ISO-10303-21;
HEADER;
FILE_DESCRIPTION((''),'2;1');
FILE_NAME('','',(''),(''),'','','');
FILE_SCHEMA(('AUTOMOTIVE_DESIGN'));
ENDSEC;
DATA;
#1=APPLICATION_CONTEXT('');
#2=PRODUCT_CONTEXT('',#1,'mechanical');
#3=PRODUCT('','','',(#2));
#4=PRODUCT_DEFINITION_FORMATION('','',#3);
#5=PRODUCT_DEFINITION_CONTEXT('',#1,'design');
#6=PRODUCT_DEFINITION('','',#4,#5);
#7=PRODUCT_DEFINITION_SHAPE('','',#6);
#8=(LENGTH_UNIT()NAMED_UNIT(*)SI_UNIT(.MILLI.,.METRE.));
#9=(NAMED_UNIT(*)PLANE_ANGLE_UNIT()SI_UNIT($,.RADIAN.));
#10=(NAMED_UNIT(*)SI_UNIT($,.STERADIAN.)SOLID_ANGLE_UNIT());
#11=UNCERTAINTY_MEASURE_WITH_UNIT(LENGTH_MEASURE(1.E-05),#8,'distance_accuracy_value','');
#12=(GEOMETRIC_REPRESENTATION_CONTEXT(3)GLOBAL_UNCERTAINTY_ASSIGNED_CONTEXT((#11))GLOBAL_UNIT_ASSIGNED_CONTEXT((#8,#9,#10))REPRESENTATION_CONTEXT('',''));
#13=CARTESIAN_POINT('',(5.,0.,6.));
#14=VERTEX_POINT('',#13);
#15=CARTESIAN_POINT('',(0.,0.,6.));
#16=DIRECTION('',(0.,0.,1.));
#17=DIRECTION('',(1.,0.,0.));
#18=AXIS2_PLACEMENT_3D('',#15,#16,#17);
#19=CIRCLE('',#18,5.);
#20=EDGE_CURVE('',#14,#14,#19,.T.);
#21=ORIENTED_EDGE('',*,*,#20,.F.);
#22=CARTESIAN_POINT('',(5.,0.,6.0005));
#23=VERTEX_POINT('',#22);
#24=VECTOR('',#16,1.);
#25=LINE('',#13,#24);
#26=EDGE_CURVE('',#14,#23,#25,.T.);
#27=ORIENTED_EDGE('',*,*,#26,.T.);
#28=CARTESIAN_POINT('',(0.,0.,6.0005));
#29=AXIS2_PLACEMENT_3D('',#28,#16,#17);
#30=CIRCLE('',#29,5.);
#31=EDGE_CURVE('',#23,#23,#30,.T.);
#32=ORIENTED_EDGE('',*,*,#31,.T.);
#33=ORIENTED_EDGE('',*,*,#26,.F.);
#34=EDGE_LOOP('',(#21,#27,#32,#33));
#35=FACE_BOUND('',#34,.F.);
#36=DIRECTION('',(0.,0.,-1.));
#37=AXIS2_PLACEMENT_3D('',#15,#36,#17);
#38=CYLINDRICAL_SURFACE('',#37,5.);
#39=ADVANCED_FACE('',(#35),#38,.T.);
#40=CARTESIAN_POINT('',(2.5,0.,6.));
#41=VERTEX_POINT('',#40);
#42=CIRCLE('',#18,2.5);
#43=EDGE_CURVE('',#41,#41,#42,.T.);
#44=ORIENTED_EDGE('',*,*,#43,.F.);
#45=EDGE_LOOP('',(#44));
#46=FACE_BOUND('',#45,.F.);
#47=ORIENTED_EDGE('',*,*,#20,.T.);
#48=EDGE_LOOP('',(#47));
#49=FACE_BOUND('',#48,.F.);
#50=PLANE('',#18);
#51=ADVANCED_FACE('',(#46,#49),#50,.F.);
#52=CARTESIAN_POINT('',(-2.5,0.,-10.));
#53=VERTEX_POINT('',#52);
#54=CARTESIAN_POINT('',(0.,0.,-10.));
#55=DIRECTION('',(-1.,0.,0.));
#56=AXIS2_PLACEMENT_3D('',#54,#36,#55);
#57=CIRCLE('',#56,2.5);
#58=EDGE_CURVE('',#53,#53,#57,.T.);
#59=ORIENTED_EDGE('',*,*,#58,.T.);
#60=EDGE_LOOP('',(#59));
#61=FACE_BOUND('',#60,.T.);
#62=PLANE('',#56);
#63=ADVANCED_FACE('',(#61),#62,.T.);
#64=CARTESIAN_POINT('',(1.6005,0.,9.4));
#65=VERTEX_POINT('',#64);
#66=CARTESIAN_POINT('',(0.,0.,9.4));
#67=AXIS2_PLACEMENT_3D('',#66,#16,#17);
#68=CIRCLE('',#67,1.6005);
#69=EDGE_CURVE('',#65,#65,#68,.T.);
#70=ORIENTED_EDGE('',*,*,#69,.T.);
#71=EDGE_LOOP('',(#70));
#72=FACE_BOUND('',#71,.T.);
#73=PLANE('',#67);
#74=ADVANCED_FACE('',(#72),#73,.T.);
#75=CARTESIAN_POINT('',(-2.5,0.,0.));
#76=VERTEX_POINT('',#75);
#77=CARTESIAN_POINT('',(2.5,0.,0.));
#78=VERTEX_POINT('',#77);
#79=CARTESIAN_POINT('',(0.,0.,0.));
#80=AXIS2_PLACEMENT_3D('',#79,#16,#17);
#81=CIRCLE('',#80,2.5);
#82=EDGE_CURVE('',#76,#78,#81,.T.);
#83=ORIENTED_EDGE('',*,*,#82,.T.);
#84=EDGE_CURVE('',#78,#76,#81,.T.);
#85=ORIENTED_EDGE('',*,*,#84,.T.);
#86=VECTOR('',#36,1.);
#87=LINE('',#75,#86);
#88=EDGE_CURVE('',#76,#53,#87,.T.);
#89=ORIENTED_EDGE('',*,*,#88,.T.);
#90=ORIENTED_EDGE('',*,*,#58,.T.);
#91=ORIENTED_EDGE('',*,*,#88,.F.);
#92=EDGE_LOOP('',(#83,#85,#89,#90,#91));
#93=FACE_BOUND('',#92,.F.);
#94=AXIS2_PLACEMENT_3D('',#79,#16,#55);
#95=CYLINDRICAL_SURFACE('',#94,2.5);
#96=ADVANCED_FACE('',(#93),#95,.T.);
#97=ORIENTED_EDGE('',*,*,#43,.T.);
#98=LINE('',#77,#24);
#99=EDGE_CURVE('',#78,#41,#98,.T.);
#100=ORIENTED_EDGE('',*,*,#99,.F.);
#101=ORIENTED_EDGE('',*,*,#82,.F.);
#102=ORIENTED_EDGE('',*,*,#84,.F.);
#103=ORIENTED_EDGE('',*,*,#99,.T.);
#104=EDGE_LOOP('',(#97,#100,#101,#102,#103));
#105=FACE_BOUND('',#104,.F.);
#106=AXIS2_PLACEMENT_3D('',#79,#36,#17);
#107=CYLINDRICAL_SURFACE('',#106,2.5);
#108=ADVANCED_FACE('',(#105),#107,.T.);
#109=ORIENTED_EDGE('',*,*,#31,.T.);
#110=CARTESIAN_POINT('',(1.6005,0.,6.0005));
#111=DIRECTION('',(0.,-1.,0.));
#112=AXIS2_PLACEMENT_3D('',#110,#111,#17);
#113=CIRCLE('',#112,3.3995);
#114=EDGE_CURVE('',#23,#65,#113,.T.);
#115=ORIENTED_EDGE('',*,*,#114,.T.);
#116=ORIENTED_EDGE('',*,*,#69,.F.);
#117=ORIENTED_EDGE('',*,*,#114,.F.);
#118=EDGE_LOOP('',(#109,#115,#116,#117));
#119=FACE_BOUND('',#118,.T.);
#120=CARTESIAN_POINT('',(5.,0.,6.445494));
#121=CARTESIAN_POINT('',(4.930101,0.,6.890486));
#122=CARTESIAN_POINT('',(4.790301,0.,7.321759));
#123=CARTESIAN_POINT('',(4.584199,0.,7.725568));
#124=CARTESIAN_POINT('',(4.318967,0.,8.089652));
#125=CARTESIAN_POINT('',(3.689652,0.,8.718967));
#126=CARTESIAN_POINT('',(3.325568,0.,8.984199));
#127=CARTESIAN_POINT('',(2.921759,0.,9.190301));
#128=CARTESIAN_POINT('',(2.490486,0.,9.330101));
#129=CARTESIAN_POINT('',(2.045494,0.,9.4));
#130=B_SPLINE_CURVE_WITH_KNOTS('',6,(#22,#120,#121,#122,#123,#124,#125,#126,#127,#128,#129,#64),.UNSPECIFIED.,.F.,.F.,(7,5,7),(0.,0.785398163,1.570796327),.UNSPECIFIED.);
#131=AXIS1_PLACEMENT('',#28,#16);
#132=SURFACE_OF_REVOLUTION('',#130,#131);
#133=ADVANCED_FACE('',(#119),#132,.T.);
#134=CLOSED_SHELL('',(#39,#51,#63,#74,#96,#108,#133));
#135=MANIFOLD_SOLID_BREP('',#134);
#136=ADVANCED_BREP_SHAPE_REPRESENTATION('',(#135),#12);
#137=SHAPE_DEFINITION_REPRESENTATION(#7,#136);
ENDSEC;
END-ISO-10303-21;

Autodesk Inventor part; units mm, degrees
ref_plane "YZ Plane" through (0, 0, 0) normal (1, 0, 0) x (0, 1, 0)
ref_plane "XZ Plane" through (0, 0, 0) normal (0, 1, 0) x (-1, 0, 0)
ref_plane "XY Plane" through (0, 0, 0) normal (0, 0, 1) x (1, 0, 0)
sketch "スケッチ1" plane through (0, 0, 0) normal (0, 0, 1) x (1, 0, 0)
  circle A0 centre (0, 0) radius 2.5
  dimension "d0" = 5
extrude "押し出し1" add sketch "スケッチ1" along normal blind 6
sketch "スケッチ2" plane through (0, 0, 6) normal (0, 0, 1) x (1, 0, 0)
  circle A0 centre (0, 0) radius 2.5 projected
  circle A1 centre (0, 0) radius 5
  dimension "d3" = 10
extrude "押し出し2" add sketch "スケッチ2" along normal blind 3.4 contours A0 | A1
fillet "フィレット1" radius 3.4 1 edges at (-5, 0, 9.4)
thread "ねじ1" size "M3x0.5" class "6g" standard "ANSI Metric M Profile" full length
sketch "スケッチ3" plane through (0, 0, 0) normal (0, 0, -1) x (-1, 0, 0)
  circle A0 centre (0, 0) radius 2.5 projected
extrude "押し出し3" add sketch "スケッチ3" along normal blind 10
properties part number "SB　M5 16mmなべネジ" material "Steel, Mild"
